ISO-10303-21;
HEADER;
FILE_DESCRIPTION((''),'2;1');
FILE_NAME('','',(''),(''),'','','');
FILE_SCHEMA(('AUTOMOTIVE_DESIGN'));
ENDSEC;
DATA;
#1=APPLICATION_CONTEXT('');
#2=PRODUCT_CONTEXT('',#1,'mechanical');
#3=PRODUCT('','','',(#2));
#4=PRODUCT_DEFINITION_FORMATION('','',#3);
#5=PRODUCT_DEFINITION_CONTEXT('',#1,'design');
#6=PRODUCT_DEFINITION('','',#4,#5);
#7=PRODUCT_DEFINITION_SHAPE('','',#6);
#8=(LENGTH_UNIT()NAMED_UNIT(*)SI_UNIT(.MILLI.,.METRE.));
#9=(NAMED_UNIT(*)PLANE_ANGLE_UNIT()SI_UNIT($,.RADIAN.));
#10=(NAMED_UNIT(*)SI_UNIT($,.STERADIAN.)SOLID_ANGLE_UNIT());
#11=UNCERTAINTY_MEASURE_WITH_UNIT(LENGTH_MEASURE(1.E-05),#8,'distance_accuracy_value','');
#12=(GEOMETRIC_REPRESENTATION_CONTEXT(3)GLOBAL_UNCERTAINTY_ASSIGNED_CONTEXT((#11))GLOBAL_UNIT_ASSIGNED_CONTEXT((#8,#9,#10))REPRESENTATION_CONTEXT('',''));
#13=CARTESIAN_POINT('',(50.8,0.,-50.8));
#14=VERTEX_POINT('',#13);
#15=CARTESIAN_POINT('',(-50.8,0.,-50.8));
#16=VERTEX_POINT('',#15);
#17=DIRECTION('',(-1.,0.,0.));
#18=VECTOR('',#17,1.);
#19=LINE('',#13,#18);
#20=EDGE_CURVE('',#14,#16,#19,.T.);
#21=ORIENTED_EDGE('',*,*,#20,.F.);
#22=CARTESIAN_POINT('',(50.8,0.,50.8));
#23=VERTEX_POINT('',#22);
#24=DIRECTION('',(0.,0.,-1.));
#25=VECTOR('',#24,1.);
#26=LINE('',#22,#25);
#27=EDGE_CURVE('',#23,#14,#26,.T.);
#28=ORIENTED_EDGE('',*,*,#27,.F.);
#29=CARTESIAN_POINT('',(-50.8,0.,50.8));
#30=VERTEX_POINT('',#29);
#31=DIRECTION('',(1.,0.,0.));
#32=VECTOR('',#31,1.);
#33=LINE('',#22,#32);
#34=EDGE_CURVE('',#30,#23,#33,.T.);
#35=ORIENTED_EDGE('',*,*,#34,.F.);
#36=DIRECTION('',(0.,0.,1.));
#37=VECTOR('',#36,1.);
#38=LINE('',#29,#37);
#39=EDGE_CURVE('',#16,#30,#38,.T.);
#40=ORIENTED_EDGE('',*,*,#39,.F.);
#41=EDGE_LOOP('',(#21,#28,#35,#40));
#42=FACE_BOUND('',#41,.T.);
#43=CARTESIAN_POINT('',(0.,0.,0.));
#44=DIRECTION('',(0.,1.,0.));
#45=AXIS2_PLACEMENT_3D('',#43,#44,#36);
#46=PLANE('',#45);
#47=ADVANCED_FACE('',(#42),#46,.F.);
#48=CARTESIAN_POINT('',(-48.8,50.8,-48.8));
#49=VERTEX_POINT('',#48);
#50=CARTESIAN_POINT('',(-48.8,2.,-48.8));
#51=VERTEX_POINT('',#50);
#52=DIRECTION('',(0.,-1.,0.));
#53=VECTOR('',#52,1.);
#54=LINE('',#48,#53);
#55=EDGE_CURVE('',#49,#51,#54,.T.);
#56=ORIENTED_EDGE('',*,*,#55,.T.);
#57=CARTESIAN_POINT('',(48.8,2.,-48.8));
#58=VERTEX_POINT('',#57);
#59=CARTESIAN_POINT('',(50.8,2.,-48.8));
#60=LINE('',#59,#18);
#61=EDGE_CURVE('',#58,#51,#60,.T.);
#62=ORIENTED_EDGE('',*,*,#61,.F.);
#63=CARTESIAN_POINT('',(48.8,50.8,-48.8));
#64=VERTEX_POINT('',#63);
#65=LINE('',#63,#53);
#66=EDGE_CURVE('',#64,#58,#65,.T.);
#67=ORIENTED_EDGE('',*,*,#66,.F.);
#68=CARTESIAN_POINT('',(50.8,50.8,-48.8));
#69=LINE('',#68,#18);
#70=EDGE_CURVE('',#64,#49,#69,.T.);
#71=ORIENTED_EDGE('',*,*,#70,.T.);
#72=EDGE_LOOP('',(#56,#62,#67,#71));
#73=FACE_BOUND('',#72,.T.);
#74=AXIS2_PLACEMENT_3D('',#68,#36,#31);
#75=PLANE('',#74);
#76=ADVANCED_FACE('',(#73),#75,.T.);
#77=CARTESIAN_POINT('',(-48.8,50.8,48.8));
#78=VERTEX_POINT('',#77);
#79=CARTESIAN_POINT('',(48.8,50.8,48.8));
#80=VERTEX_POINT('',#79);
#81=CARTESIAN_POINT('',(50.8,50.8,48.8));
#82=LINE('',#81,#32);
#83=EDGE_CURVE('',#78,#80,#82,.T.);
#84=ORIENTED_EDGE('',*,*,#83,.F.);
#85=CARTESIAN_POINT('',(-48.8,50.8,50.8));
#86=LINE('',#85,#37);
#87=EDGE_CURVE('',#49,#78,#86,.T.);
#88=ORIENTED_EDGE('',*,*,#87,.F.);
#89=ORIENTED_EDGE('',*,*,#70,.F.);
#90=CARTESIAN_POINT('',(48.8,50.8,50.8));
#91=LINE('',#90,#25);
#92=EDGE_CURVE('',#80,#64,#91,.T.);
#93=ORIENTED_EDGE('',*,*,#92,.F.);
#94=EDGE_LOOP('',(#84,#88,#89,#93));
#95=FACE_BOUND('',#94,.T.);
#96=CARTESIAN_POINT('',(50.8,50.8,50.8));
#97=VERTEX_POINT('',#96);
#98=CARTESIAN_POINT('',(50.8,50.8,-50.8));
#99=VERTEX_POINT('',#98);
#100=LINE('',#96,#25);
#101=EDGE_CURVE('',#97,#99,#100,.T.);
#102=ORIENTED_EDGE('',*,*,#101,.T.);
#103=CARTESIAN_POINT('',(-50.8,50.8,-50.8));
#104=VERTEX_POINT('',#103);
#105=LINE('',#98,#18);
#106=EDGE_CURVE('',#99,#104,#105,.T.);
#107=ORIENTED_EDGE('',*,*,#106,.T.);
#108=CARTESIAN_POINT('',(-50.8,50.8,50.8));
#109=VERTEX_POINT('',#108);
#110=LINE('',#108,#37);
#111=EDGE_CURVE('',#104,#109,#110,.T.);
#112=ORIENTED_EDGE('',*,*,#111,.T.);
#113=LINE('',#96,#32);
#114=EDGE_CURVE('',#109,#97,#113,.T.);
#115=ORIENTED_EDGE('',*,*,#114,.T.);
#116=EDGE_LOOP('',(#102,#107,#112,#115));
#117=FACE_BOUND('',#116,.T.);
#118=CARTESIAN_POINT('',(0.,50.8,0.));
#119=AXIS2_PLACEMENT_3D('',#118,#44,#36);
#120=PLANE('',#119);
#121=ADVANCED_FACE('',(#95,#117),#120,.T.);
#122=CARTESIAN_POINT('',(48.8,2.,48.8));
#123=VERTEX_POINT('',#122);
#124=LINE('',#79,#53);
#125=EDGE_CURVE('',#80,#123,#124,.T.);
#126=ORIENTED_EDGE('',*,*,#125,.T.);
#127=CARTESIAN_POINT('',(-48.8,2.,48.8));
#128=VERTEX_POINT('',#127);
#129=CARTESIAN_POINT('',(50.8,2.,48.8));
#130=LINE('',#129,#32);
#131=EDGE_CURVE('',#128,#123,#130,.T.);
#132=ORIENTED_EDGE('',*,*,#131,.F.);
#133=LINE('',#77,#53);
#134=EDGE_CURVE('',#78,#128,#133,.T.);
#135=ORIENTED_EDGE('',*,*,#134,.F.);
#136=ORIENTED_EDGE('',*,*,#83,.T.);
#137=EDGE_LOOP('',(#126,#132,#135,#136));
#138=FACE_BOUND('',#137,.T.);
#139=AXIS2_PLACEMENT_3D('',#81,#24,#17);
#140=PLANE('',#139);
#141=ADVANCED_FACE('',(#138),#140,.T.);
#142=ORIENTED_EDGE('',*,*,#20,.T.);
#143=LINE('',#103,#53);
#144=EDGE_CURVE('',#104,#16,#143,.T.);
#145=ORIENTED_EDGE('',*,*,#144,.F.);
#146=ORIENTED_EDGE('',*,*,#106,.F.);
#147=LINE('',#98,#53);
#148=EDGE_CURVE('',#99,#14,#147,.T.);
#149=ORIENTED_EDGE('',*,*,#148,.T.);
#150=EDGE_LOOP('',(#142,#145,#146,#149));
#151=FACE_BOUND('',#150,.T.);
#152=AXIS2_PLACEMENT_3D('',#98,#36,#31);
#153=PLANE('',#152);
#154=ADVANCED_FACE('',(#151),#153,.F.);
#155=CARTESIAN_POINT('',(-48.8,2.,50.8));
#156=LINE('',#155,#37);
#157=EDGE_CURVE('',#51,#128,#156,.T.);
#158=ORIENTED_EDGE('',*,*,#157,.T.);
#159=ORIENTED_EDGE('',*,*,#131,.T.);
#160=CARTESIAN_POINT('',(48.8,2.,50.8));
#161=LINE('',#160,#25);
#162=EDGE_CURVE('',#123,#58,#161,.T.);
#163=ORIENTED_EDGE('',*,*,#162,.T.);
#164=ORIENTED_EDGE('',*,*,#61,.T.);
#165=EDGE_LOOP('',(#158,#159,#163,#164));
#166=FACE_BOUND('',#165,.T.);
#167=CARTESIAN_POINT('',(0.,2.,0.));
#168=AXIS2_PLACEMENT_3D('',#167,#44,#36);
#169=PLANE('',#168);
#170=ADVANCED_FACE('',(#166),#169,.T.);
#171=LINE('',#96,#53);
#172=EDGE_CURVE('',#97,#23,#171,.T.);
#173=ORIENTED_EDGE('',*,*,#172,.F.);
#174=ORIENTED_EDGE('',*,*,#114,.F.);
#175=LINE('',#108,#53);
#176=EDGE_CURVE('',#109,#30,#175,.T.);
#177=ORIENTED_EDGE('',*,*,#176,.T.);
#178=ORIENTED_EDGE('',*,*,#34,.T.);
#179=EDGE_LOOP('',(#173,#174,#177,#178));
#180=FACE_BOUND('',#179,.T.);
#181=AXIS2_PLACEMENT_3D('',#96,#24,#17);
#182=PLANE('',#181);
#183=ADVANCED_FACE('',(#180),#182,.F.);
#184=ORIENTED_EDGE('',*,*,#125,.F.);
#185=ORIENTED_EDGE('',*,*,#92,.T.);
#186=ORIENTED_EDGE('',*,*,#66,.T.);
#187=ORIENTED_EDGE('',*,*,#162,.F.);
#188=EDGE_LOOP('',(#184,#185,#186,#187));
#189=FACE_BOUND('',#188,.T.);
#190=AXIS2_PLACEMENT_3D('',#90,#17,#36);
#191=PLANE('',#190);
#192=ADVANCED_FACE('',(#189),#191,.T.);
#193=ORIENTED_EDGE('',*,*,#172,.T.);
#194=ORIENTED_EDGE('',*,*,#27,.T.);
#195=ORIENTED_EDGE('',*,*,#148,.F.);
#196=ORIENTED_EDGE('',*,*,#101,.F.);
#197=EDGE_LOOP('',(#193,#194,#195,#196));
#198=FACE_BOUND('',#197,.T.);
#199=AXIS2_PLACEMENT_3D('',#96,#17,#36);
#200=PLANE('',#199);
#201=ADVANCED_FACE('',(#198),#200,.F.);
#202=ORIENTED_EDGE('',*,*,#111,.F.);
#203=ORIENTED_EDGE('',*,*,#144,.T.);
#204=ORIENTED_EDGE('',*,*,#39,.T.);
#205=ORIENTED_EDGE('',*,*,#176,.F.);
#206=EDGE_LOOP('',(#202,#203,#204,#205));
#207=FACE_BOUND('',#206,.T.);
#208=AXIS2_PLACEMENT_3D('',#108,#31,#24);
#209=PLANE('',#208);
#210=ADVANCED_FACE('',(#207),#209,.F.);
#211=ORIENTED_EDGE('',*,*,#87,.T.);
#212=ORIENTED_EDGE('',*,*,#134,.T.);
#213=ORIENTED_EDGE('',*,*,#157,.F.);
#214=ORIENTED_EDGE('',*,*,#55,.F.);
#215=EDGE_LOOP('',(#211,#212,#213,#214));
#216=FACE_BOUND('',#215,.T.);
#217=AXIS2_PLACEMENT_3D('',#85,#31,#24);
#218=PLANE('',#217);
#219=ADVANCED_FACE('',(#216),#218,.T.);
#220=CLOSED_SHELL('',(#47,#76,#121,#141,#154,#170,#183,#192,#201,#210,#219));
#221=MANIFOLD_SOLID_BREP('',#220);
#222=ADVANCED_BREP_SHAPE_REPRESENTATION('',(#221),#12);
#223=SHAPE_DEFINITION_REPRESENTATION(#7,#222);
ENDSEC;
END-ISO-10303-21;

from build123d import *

# Parameters (mm, degrees)
SKETCH1_W           = 101.6
SKETCH1_H           = 101.6
BOSS_EXTRUDE1_DEPTH = 50.8
SHELL1_T            = -2


with BuildPart() as part:
    # Sketch1 → Boss-Extrude1 (new body)
    with BuildSketch(Plane(origin=(0, 0, 0), x_dir=(1, 0, 0), z_dir=(0, 1, 0))):
        Rectangle(SKETCH1_W, SKETCH1_H)
    extrude(amount=BOSS_EXTRUDE1_DEPTH)

    # Shell1
    shell1_openings = [part.faces().sort_by_distance(p)[0] for p in [
        (0, 50.8, 0),
    ]]
    offset(amount=SHELL1_T, openings=shell1_openings, kind=Kind.INTERSECTION)


solid = part.part
